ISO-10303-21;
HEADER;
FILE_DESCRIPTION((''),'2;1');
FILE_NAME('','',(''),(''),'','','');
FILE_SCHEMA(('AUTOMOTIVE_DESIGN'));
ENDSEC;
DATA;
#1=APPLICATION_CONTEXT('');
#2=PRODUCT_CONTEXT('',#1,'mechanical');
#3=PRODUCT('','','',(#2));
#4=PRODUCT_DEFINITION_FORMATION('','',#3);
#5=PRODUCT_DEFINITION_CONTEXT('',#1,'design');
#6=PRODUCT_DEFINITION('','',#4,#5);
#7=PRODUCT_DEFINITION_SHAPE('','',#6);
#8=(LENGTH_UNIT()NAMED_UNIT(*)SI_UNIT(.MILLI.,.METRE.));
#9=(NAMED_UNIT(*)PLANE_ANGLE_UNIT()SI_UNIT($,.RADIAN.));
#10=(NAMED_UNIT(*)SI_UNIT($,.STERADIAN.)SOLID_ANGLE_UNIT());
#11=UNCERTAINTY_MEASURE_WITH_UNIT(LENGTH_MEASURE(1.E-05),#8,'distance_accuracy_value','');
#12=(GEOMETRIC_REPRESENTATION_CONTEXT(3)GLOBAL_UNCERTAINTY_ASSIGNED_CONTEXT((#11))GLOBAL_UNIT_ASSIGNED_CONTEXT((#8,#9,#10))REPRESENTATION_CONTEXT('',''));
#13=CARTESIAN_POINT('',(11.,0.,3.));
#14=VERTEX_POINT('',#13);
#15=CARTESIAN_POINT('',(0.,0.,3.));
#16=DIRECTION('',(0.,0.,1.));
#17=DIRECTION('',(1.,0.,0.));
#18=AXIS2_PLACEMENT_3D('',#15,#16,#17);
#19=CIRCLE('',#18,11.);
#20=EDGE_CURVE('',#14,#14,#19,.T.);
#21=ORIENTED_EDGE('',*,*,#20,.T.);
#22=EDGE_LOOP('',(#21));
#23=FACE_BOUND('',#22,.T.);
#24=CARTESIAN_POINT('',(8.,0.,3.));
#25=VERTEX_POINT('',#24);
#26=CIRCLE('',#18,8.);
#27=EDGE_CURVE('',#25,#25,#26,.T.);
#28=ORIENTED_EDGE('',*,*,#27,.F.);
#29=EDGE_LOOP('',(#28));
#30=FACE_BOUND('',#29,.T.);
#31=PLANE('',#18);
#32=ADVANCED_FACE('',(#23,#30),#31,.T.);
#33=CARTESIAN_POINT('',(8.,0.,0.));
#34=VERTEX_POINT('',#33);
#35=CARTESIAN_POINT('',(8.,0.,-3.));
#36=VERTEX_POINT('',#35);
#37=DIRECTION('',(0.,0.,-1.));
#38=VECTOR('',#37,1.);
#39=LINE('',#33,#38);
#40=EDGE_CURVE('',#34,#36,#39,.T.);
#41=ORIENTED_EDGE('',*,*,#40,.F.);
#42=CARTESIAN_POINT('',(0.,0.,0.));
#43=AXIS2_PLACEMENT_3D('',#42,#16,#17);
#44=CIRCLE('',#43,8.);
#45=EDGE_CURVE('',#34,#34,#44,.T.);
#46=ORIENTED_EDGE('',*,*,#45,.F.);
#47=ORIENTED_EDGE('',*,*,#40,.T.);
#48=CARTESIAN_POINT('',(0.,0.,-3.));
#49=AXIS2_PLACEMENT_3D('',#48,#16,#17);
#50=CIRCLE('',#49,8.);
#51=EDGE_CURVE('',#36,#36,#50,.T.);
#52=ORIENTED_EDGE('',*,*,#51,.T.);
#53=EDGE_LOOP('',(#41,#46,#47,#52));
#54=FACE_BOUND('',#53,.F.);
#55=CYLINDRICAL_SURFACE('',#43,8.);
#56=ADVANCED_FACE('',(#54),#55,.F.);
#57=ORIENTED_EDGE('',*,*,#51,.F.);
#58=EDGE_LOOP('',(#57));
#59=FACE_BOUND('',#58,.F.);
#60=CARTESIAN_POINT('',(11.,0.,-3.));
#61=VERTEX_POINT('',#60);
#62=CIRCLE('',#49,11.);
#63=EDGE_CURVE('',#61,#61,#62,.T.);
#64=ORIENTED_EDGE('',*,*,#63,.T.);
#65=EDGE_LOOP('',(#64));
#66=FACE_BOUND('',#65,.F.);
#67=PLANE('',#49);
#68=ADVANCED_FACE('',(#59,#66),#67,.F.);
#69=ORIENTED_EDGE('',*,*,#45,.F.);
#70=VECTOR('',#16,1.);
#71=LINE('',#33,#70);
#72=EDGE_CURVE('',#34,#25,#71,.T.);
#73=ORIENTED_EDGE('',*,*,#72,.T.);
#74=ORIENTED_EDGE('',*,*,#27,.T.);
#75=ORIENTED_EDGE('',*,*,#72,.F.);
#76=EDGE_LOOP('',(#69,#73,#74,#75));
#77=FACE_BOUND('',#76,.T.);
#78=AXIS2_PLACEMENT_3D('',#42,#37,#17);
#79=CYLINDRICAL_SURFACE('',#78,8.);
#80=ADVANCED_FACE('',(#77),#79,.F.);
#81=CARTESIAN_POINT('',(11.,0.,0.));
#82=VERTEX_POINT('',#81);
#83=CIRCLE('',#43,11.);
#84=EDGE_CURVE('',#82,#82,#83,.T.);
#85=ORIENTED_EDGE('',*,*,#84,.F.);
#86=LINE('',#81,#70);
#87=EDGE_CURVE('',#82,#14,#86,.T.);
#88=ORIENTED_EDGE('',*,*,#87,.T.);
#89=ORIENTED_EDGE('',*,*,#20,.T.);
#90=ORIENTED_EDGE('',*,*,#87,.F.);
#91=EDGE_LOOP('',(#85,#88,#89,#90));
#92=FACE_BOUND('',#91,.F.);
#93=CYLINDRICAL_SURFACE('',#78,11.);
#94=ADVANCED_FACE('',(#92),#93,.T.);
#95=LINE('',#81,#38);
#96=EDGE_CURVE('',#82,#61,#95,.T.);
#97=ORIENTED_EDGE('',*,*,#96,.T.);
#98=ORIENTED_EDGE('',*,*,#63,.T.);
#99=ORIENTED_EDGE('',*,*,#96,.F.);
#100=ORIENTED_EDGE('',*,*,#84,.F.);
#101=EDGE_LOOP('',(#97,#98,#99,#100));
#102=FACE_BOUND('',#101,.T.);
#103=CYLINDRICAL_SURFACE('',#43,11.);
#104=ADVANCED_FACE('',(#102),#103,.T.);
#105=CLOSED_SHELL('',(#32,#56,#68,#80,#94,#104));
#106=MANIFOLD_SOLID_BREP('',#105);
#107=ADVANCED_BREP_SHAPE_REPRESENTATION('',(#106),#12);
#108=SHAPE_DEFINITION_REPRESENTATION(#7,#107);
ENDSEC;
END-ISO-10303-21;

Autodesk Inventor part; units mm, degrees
ref_plane "YZ Plane" through (0, 0, 0) normal (1, 0, 0) x (0, 1, 0)
ref_plane "XZ Plane" through (0, 0, 0) normal (0, 1, 0) x (-1, 0, 0)
ref_plane "XY Plane" through (0, 0, 0) normal (0, 0, 1) x (1, 0, 0)
sketch "Sketch1" plane through (0, 0, 0) normal (0, 0, 1) x (1, 0, 0)
  circle A0 centre (0, 0) radius 8
  circle A1 centre (0, 0) radius 11
  dimension "d0" = 16
  dimension "d1" = 22
extrude "Extrusion1" add sketch "Sketch1" along normal mid plane 6
properties part number "Seal" material "Rubber"
